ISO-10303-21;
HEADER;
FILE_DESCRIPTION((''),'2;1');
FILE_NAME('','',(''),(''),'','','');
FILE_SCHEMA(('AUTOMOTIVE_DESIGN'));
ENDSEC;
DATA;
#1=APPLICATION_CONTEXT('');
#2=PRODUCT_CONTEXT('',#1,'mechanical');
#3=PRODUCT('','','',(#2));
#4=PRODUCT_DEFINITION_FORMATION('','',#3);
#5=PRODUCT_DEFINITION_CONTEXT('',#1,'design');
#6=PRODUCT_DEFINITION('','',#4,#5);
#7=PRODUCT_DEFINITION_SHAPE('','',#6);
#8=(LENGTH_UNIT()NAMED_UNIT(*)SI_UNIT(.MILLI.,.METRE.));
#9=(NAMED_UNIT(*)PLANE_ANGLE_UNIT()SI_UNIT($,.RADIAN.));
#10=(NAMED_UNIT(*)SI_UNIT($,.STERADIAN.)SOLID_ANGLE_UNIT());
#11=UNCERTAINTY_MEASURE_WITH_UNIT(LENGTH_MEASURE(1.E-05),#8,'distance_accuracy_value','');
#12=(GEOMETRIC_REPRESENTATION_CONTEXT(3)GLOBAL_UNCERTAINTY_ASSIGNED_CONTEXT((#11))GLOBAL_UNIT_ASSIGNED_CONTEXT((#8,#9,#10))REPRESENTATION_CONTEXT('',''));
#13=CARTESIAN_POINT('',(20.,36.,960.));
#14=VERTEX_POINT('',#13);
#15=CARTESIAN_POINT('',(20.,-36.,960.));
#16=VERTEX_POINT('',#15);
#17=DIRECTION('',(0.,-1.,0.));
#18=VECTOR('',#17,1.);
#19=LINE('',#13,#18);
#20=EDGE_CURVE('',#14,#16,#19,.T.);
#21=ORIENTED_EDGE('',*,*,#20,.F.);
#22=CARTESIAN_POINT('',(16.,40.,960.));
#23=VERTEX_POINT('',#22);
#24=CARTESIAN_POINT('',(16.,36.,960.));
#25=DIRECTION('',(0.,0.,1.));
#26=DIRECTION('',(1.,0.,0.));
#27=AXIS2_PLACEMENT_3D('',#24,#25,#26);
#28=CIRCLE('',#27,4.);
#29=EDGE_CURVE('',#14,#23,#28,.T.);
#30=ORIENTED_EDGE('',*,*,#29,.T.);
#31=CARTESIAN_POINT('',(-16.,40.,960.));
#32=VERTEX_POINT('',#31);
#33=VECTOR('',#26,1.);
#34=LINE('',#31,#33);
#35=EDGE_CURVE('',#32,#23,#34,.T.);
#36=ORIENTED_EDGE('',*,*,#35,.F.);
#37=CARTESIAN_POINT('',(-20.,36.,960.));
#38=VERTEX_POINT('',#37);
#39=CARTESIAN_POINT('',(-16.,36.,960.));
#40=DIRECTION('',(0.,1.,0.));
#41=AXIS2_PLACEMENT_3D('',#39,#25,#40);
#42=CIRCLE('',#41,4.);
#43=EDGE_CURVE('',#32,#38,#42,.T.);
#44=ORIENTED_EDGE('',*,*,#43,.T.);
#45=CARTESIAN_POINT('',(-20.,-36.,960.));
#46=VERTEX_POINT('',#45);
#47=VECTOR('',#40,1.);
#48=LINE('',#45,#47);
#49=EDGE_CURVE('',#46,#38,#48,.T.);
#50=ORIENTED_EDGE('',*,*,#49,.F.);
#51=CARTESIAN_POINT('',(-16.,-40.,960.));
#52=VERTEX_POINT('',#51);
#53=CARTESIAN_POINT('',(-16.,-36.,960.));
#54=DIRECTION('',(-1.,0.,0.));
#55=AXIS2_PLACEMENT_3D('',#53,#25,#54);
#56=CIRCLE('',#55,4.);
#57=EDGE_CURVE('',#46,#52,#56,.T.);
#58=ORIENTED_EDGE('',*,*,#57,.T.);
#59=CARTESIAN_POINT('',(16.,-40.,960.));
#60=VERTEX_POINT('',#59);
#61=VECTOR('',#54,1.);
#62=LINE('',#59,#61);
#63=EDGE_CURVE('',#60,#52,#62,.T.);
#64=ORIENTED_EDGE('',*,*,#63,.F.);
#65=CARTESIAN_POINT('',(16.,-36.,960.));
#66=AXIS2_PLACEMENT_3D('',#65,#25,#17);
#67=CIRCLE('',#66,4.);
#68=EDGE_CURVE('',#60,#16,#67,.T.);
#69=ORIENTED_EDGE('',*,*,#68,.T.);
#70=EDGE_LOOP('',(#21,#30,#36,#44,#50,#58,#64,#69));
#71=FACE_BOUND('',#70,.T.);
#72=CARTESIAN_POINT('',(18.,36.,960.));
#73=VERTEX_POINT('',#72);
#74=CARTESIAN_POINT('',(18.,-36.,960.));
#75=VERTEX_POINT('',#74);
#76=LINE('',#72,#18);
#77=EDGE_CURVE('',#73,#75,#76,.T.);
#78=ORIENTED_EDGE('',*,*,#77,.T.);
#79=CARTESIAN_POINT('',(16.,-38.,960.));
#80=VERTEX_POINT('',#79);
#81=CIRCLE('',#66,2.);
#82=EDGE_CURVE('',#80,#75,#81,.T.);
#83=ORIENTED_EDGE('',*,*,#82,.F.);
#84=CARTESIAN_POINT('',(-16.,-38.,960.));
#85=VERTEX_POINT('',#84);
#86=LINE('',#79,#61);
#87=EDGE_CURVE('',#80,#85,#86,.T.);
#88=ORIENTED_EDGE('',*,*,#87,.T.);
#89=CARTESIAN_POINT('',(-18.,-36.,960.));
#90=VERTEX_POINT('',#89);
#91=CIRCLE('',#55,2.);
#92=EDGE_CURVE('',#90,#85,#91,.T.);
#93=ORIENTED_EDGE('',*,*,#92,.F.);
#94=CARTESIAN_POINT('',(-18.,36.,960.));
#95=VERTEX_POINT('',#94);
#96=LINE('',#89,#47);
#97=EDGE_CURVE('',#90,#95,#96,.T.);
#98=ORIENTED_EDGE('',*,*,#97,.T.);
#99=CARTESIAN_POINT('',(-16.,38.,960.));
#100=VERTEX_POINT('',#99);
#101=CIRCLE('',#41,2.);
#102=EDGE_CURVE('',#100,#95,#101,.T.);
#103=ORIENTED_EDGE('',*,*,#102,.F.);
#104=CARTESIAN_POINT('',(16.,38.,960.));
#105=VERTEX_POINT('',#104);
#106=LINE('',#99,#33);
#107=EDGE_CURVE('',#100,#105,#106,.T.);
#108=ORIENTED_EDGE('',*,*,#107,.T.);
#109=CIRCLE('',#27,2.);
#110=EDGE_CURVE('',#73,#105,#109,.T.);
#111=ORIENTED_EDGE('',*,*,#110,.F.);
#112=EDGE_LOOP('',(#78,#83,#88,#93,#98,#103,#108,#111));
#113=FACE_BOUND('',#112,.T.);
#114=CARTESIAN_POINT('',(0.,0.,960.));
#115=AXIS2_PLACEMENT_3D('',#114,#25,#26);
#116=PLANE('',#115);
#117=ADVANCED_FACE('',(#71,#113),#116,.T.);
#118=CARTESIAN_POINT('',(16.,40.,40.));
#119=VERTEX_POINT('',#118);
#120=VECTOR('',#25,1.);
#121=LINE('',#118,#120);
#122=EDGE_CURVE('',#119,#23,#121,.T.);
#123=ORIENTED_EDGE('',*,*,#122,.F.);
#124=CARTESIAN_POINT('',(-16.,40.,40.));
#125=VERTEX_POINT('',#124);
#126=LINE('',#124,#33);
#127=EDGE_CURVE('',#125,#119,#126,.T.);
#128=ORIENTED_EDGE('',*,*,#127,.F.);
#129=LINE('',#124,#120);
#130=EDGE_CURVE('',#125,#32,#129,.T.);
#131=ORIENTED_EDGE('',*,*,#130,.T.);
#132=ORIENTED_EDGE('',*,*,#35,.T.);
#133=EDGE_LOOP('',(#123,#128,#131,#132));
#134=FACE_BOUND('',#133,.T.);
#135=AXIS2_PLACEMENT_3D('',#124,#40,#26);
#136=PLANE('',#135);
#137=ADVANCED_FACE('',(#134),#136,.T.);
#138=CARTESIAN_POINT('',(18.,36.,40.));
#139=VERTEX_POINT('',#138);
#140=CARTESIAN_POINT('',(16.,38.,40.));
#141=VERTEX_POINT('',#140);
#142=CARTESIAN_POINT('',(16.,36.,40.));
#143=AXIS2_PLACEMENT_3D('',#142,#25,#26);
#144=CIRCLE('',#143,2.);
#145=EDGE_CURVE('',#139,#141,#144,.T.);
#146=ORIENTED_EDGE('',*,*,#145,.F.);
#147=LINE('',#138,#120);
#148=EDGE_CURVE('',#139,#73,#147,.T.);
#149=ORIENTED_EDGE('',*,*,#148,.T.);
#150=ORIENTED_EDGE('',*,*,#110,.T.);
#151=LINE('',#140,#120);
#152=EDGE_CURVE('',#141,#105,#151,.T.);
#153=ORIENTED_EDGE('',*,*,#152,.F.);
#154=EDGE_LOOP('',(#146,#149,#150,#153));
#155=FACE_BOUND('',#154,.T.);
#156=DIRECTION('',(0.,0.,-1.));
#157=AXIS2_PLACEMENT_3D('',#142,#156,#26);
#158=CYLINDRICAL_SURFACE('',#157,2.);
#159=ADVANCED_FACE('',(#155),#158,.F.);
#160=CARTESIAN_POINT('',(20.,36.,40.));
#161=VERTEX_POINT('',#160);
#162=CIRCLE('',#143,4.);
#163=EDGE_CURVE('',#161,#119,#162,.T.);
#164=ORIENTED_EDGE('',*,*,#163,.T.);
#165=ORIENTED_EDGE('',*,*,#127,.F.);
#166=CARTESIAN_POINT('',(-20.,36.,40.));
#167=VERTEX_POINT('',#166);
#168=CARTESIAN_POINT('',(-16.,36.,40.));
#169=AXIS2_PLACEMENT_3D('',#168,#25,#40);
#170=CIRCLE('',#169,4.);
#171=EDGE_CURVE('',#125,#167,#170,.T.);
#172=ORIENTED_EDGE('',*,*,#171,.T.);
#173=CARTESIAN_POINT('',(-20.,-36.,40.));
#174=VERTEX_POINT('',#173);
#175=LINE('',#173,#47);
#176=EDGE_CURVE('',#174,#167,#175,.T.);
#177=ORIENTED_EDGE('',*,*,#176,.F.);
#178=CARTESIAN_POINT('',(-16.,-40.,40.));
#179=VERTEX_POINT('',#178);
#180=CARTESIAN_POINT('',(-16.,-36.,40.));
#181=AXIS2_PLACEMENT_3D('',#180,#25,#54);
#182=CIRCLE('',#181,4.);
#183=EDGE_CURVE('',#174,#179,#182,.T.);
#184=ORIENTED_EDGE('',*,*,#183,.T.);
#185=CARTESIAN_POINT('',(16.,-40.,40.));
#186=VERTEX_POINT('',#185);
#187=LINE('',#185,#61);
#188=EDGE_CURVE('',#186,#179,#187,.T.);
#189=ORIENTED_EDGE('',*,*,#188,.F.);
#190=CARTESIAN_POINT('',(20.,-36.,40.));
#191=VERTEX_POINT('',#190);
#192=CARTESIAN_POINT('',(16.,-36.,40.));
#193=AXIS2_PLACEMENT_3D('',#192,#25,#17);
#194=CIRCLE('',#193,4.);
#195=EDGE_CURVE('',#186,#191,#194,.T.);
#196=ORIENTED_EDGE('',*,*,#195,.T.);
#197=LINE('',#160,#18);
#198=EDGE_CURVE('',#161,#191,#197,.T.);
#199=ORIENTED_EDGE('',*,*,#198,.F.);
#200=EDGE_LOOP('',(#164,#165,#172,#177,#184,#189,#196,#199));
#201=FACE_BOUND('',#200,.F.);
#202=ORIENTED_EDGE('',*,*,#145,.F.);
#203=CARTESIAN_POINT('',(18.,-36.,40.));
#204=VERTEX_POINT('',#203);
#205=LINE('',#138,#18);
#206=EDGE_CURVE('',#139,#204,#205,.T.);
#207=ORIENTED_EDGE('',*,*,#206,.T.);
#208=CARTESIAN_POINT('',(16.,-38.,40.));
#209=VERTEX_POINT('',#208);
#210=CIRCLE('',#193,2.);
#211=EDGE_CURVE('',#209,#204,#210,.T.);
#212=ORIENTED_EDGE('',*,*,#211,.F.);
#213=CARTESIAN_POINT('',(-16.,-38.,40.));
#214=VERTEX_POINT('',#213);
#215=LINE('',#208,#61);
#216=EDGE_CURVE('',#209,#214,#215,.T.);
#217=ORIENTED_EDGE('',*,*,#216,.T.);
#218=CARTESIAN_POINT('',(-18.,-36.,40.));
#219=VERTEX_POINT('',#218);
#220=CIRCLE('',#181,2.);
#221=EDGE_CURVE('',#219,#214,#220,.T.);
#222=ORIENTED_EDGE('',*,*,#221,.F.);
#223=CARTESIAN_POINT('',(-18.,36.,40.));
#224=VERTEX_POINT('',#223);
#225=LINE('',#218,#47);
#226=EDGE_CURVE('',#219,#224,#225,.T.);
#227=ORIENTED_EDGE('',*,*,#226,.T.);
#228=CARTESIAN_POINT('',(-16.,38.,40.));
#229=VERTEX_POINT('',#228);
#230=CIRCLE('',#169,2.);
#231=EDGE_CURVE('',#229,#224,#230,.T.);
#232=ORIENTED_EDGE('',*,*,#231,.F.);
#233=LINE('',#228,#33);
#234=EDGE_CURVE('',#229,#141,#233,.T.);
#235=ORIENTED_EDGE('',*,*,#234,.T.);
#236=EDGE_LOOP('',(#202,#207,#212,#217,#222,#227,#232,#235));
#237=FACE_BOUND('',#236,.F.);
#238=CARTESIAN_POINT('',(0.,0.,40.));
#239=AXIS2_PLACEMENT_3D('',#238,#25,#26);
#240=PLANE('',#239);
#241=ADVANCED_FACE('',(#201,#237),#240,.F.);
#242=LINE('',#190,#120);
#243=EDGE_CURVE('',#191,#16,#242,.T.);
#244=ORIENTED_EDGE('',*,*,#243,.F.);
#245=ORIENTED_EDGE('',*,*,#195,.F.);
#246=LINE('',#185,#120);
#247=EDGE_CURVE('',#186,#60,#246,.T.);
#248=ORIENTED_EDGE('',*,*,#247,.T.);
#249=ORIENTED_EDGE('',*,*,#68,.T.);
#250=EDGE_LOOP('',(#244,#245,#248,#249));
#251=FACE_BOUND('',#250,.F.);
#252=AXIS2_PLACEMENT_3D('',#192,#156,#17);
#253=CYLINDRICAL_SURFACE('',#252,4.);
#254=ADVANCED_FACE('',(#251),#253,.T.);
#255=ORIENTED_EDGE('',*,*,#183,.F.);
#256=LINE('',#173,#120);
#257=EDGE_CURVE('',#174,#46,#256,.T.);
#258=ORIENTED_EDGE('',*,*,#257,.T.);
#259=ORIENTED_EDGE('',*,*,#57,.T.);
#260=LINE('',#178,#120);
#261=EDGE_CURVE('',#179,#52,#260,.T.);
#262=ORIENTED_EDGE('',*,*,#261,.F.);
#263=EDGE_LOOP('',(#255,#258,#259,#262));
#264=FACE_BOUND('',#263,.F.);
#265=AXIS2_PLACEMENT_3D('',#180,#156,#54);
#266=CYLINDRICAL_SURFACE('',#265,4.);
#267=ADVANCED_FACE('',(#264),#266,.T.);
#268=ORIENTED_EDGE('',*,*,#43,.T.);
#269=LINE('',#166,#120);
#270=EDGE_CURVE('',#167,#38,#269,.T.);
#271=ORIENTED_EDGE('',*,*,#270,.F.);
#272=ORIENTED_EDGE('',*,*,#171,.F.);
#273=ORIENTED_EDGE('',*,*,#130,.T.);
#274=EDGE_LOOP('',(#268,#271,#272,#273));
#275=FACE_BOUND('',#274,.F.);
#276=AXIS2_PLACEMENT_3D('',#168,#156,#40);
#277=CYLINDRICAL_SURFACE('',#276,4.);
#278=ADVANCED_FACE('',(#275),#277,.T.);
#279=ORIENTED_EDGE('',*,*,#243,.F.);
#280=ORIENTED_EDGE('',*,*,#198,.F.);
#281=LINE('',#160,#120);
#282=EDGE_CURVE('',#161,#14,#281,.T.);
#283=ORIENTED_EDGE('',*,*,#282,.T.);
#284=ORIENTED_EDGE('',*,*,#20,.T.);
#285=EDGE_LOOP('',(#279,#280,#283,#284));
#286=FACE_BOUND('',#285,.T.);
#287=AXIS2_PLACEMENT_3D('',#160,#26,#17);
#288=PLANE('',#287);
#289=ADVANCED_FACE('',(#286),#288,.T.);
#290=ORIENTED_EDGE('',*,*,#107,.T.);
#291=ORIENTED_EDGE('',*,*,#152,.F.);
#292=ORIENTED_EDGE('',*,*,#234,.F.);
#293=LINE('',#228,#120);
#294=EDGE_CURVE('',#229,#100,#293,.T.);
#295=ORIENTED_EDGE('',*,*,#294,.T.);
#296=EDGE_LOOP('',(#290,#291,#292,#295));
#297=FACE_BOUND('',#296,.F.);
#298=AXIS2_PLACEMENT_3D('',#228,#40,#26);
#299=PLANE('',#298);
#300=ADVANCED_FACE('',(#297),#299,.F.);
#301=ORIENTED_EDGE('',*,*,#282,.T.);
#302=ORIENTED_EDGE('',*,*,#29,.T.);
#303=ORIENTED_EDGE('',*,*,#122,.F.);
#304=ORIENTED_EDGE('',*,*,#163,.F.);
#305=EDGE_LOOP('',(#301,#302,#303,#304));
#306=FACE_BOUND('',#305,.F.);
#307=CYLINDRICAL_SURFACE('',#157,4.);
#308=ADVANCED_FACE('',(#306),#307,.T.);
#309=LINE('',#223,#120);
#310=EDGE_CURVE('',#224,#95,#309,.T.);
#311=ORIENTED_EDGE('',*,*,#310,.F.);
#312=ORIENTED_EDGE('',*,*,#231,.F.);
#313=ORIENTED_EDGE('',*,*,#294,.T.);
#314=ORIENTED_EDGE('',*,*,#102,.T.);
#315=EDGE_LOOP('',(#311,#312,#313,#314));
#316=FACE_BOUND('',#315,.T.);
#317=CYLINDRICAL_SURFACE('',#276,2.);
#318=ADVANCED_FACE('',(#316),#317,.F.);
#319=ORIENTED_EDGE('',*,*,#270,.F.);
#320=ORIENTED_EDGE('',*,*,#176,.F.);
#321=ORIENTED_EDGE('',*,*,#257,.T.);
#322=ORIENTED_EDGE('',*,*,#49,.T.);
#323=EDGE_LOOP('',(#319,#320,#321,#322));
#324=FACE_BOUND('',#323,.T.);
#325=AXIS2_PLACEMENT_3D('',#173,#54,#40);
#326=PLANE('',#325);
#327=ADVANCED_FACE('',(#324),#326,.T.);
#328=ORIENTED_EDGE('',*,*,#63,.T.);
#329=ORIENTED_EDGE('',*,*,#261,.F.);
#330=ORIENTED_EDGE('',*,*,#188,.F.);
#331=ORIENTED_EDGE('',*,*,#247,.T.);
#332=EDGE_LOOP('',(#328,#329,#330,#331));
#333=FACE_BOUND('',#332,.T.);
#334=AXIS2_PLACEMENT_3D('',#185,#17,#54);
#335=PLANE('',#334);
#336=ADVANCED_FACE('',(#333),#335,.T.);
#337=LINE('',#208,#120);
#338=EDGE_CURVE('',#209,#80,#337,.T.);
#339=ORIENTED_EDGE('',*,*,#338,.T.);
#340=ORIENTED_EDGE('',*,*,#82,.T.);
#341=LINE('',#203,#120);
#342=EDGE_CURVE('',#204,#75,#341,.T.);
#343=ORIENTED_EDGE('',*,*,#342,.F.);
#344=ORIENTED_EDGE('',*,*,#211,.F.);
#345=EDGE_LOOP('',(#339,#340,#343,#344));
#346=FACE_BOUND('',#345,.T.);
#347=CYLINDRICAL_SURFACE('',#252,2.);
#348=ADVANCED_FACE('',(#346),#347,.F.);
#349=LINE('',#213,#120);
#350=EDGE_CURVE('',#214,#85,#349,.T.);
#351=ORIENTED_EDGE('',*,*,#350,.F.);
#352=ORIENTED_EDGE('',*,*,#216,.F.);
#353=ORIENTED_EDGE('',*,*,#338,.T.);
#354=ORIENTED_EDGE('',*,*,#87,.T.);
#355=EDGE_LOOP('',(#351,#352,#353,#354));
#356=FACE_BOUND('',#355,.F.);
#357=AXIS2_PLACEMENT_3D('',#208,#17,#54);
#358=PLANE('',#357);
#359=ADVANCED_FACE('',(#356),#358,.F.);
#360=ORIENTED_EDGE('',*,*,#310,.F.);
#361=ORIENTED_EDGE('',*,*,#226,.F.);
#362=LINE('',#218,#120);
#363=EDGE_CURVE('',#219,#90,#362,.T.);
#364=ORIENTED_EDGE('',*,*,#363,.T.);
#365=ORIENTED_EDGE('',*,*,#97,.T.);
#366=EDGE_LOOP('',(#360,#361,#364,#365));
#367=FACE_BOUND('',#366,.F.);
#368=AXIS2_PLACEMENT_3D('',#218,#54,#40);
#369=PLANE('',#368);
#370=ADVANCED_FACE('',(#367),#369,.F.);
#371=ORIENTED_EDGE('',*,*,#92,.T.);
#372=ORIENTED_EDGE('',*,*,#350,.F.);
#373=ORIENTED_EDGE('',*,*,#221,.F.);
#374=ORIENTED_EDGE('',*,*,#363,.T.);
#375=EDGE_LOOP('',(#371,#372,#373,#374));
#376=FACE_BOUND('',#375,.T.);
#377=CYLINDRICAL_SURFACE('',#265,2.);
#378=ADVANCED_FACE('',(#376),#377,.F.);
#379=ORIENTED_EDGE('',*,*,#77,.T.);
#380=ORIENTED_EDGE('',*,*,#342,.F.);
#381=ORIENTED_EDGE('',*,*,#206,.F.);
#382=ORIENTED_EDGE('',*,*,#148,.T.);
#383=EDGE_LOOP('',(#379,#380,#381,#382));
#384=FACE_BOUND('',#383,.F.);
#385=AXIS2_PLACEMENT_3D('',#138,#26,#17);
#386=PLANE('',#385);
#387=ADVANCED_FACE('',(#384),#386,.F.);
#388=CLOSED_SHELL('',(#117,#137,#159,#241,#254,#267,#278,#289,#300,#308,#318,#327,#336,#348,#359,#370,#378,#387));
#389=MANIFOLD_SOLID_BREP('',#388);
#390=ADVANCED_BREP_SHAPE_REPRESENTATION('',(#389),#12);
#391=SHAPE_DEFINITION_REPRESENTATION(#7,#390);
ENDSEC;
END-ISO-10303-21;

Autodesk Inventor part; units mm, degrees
ref_plane "YZ Plane" through (0, 0, 0) normal (1, 0, 0) x (0, 1, 0)
ref_plane "Start Plane" through (0, 0, 40) normal (0, 0, 1) x (1, 0, 0)
ref_plane "End Plane" through (0, 0, 960) normal (0, 0, 1) x (1, 0, 0)
sketch "Sketch" plane through (0, 0, 0) normal (0, 0, 1) x (1, 0, 0)
  line L0 (-20, -36) -> (-20, 36)
  line L1 (-16, 40) -> (16, 40)
  line L2 (20, 36) -> (20, -36)
  line L3 (16, -40) -> (-16, -40)
  arc A0 (-20, -36) -> (-16, -40) centre (-16, -36) ccw
  arc A1 (20, 36) -> (16, 40) centre (16, 36) ccw
  arc A2 (-16, 40) -> (-20, 36) centre (-16, 36) ccw
  arc A3 (16, -40) -> (20, -36) centre (16, -36) ccw
  arc A4 (-16, 38) -> (-18, 36) centre (-16, 36) ccw
  line L4 (-16, 38) -> (16, 38)
  arc A5 (18, 36) -> (16, 38) centre (16, 36) ccw
  line L5 (18, 36) -> (18, -36)
  arc A6 (16, -38) -> (18, -36) centre (16, -36) ccw
  line L6 (16, -38) -> (-16, -38)
  arc A7 (-18, -36) -> (-16, -38) centre (-16, -36) ccw
  line L7 (-18, -36) -> (-18, 36)
  line L8 (0, 57.1598) -> (0, -57.1598) construction
  line L9 (-29.1598, 0) -> (29.1598, 0) construction
  dimension "d7" = 4
  dimension "d9" = 40
  dimension "d11" = 80
  dimension "d12" = 2
  dimension "d15" = 20
  dimension "d16" = 40
extrude "Body" add sketch "Sketch" along normal up to surface (920 mm away) from surface at 40
sketch "Sketch3" plane through (0, 0, 0) normal (0, 0, 1) x (1, 0, 0)
  line L0 (0, 0) -> (10, 0)
ref_plane "Work Plane3" through (0, 0, 0) normal (0, -1, 0) x (1, 0, 0)
sketch "Sketch4" plane through (0, 0, 0) normal (0, -1, 0) x (1, 0, 0)
  line L0 (-2, 40) -> (12, 40) projected
  line L1 (-2, 960) -> (12, 960) projected
  dimension "d18" = 920
equation "\"d7\" = G_IR"
equation "\"d9\" = G_W"
equation "\"d11\" = G_H"
equation "\"d12\" = G_T"
equation "\"d15\" = 0.5 * d9"
equation "\"d16\" = 0.5 * d11"
equation "\"d3\" = G_L"
equation "\"G_W\" = 40"
equation "\"G_H\" = 80"
equation "\"G_T\" = 2"
equation "\"G_IR\" = 4"
equation "\"G_L\" = d18"
properties part number "ISO 4019 - 80x40x2 - 920" material "Steel, Mild"
